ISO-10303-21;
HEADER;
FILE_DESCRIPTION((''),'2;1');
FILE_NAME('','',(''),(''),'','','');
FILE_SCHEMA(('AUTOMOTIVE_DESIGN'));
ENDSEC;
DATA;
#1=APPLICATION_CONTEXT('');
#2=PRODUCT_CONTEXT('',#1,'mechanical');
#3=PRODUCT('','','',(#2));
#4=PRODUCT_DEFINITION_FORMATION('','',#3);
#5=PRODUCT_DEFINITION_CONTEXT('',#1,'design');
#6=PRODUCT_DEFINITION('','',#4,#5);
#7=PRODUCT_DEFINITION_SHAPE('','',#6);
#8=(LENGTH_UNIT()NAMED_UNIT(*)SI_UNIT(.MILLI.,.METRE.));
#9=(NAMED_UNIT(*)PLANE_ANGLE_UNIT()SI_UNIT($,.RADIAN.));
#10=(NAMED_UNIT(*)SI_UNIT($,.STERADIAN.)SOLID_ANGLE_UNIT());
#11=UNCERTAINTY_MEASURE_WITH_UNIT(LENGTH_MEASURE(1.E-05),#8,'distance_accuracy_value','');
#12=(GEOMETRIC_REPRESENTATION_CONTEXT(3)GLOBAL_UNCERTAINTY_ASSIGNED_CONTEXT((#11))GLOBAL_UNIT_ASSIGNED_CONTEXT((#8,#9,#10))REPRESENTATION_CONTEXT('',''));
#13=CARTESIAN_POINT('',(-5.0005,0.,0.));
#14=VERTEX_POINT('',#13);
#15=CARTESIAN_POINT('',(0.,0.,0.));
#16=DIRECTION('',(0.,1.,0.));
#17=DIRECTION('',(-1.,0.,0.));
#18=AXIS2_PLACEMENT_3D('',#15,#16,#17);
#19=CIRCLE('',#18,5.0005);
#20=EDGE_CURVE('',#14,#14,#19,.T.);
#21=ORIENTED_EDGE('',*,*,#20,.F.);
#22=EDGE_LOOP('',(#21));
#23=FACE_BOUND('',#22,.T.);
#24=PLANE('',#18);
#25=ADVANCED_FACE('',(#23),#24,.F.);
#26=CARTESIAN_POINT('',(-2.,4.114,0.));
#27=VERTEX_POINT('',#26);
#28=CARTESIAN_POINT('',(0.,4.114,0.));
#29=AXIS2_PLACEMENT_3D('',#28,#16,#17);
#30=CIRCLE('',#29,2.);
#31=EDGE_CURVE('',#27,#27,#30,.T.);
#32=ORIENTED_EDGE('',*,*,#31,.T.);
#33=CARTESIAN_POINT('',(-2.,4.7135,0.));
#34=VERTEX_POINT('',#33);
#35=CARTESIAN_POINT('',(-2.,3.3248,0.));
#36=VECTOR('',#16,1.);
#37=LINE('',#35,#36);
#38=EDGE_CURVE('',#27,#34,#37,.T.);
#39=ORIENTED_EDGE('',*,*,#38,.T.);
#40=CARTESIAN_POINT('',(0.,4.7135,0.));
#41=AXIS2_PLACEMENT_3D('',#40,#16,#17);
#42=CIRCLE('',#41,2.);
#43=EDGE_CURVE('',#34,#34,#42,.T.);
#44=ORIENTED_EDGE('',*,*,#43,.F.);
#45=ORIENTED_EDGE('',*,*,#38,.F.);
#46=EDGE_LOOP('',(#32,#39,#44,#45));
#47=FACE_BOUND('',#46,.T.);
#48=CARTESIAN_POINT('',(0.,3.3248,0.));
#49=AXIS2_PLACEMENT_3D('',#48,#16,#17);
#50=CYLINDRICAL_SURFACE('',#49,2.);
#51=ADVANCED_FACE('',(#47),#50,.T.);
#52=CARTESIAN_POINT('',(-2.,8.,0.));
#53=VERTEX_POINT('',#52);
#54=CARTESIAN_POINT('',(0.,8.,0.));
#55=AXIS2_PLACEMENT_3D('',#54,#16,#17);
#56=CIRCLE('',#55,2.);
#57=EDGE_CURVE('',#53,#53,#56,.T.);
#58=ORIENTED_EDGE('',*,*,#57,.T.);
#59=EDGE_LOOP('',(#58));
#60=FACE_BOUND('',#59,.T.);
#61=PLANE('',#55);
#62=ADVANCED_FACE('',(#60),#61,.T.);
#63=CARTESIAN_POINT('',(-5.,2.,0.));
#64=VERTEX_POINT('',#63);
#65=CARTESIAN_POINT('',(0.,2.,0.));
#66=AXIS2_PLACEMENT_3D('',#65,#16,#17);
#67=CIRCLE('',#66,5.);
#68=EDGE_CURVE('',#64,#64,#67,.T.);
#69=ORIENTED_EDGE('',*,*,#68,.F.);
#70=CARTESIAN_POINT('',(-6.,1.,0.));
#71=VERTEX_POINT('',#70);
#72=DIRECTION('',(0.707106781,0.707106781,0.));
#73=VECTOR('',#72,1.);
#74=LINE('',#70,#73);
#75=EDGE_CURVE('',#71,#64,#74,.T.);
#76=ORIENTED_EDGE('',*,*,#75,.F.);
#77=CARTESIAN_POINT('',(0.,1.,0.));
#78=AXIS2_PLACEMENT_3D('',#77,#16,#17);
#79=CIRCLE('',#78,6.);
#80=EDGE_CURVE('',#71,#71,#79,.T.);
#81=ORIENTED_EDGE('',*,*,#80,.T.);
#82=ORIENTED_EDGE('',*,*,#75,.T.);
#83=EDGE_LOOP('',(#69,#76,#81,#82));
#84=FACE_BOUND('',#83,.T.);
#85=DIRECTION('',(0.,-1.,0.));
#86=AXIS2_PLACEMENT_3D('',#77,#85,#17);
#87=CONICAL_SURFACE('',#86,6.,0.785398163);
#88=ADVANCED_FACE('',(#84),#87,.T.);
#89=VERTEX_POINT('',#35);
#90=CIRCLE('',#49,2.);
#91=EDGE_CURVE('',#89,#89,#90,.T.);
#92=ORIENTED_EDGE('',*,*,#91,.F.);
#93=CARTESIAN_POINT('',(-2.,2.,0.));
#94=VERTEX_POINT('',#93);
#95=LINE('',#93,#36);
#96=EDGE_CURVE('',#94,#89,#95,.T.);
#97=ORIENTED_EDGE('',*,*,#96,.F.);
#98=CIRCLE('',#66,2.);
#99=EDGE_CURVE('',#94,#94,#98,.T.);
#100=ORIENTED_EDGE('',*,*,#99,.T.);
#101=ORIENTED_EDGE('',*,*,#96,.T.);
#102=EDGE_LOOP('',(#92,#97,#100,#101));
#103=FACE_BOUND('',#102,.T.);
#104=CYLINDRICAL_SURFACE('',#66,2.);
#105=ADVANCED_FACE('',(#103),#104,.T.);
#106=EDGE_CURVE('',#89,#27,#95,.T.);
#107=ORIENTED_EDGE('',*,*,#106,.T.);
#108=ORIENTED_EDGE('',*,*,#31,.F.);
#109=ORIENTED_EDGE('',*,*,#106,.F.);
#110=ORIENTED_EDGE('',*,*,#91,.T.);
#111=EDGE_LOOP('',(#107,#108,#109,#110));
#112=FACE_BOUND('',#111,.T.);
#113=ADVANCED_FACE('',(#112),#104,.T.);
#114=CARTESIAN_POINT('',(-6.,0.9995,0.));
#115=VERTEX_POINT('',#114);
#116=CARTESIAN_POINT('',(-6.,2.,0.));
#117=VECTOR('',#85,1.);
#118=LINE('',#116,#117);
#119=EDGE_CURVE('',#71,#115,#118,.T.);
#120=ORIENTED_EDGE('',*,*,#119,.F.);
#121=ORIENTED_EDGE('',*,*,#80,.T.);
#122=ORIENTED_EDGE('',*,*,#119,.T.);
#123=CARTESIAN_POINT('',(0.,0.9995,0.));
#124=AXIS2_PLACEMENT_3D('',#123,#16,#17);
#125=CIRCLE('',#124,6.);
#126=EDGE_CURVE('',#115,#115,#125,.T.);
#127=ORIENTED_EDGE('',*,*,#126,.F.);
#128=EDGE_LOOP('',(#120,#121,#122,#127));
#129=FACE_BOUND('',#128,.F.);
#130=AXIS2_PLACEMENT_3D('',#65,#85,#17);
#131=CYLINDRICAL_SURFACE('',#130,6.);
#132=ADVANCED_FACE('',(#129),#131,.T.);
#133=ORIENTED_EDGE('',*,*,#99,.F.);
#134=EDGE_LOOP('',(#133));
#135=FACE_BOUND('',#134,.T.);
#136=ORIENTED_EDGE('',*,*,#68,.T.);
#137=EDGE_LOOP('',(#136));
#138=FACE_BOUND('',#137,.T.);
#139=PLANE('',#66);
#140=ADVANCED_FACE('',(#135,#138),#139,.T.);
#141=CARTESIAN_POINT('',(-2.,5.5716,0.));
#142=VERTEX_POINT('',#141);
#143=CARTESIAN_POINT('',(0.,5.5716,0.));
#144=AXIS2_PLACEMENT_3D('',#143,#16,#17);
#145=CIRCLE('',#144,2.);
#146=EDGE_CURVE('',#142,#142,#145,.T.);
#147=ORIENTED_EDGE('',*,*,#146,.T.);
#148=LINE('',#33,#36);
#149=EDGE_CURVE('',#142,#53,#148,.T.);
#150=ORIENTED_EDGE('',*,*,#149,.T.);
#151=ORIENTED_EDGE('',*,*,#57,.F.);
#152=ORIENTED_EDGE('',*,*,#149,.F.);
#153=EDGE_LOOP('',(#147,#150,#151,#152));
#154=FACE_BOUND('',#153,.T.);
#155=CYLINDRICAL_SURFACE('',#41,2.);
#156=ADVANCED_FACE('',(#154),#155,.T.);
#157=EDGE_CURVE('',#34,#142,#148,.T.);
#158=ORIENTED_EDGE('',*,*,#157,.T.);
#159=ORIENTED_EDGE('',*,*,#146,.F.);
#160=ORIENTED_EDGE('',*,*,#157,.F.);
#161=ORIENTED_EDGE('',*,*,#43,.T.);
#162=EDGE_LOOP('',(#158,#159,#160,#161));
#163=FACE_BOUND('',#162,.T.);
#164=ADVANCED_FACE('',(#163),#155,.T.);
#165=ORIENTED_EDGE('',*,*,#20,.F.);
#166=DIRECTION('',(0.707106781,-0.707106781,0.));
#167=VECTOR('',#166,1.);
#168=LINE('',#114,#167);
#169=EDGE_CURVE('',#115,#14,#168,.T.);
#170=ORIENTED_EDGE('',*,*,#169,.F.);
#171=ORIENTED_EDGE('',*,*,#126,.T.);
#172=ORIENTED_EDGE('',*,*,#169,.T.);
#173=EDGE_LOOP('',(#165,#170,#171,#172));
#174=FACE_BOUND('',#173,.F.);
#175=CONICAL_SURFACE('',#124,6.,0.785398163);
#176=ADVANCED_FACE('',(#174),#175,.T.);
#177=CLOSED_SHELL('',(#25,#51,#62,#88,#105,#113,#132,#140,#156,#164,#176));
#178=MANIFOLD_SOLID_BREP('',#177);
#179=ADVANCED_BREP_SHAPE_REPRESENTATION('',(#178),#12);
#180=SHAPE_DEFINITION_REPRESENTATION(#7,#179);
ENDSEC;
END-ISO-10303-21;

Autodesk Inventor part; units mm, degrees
ref_plane "YZ Plane" through (0, 0, 0) normal (1, 0, 0) x (0, 1, 0)
ref_plane "XZ Plane" through (0, 0, 0) normal (0, 1, 0) x (-1, 0, 0)
ref_plane "XY Plane" through (0, 0, 0) normal (0, 0, 1) x (1, 0, 0)
sketch "Sketch2" plane through (0, 0, 0) normal (0, 0, 1) x (1, 0, 0)
  line L0 (0, -1.6) -> (0, 9.6) construction
  line L1 (-7.2, 0) -> (1.2, 0) construction
  line L2 (0, 0) -> (-6, 0)
  line L3 (-6, 2) -> (-2, 2)
  line L4 (-2, 2) -> (-2, 4.114)
  line L5 (-2, 4.7135) -> (-2, 8)
  line L6 (-2, 8) -> (0, 8)
  line L7 (0, 0) -> (-6, 0)
  line L8 (-6, 2) -> (-6, 0)
  line L9 (-2, 3.3248) -> (-2, 5.5716)
  line L10 (0, 8) -> (0, 0)
  dimension "d0" = 2
  dimension "d1" = 6
  dimension "d3" = 2
  dimension "d4" = 8
revolve "Revolution1" add sketch "Sketch2" angle 360 about axis through (0, -10, 0) along (0, 1, 0)
chamfer "Chamfer1" distance 1 angle 45 1 edges at (6, 2, 0)
chamfer "Chamfer2" distance 1 angle 45 1 edges at (6, 0, 0)
properties part number "P006-Soupape_entree"
